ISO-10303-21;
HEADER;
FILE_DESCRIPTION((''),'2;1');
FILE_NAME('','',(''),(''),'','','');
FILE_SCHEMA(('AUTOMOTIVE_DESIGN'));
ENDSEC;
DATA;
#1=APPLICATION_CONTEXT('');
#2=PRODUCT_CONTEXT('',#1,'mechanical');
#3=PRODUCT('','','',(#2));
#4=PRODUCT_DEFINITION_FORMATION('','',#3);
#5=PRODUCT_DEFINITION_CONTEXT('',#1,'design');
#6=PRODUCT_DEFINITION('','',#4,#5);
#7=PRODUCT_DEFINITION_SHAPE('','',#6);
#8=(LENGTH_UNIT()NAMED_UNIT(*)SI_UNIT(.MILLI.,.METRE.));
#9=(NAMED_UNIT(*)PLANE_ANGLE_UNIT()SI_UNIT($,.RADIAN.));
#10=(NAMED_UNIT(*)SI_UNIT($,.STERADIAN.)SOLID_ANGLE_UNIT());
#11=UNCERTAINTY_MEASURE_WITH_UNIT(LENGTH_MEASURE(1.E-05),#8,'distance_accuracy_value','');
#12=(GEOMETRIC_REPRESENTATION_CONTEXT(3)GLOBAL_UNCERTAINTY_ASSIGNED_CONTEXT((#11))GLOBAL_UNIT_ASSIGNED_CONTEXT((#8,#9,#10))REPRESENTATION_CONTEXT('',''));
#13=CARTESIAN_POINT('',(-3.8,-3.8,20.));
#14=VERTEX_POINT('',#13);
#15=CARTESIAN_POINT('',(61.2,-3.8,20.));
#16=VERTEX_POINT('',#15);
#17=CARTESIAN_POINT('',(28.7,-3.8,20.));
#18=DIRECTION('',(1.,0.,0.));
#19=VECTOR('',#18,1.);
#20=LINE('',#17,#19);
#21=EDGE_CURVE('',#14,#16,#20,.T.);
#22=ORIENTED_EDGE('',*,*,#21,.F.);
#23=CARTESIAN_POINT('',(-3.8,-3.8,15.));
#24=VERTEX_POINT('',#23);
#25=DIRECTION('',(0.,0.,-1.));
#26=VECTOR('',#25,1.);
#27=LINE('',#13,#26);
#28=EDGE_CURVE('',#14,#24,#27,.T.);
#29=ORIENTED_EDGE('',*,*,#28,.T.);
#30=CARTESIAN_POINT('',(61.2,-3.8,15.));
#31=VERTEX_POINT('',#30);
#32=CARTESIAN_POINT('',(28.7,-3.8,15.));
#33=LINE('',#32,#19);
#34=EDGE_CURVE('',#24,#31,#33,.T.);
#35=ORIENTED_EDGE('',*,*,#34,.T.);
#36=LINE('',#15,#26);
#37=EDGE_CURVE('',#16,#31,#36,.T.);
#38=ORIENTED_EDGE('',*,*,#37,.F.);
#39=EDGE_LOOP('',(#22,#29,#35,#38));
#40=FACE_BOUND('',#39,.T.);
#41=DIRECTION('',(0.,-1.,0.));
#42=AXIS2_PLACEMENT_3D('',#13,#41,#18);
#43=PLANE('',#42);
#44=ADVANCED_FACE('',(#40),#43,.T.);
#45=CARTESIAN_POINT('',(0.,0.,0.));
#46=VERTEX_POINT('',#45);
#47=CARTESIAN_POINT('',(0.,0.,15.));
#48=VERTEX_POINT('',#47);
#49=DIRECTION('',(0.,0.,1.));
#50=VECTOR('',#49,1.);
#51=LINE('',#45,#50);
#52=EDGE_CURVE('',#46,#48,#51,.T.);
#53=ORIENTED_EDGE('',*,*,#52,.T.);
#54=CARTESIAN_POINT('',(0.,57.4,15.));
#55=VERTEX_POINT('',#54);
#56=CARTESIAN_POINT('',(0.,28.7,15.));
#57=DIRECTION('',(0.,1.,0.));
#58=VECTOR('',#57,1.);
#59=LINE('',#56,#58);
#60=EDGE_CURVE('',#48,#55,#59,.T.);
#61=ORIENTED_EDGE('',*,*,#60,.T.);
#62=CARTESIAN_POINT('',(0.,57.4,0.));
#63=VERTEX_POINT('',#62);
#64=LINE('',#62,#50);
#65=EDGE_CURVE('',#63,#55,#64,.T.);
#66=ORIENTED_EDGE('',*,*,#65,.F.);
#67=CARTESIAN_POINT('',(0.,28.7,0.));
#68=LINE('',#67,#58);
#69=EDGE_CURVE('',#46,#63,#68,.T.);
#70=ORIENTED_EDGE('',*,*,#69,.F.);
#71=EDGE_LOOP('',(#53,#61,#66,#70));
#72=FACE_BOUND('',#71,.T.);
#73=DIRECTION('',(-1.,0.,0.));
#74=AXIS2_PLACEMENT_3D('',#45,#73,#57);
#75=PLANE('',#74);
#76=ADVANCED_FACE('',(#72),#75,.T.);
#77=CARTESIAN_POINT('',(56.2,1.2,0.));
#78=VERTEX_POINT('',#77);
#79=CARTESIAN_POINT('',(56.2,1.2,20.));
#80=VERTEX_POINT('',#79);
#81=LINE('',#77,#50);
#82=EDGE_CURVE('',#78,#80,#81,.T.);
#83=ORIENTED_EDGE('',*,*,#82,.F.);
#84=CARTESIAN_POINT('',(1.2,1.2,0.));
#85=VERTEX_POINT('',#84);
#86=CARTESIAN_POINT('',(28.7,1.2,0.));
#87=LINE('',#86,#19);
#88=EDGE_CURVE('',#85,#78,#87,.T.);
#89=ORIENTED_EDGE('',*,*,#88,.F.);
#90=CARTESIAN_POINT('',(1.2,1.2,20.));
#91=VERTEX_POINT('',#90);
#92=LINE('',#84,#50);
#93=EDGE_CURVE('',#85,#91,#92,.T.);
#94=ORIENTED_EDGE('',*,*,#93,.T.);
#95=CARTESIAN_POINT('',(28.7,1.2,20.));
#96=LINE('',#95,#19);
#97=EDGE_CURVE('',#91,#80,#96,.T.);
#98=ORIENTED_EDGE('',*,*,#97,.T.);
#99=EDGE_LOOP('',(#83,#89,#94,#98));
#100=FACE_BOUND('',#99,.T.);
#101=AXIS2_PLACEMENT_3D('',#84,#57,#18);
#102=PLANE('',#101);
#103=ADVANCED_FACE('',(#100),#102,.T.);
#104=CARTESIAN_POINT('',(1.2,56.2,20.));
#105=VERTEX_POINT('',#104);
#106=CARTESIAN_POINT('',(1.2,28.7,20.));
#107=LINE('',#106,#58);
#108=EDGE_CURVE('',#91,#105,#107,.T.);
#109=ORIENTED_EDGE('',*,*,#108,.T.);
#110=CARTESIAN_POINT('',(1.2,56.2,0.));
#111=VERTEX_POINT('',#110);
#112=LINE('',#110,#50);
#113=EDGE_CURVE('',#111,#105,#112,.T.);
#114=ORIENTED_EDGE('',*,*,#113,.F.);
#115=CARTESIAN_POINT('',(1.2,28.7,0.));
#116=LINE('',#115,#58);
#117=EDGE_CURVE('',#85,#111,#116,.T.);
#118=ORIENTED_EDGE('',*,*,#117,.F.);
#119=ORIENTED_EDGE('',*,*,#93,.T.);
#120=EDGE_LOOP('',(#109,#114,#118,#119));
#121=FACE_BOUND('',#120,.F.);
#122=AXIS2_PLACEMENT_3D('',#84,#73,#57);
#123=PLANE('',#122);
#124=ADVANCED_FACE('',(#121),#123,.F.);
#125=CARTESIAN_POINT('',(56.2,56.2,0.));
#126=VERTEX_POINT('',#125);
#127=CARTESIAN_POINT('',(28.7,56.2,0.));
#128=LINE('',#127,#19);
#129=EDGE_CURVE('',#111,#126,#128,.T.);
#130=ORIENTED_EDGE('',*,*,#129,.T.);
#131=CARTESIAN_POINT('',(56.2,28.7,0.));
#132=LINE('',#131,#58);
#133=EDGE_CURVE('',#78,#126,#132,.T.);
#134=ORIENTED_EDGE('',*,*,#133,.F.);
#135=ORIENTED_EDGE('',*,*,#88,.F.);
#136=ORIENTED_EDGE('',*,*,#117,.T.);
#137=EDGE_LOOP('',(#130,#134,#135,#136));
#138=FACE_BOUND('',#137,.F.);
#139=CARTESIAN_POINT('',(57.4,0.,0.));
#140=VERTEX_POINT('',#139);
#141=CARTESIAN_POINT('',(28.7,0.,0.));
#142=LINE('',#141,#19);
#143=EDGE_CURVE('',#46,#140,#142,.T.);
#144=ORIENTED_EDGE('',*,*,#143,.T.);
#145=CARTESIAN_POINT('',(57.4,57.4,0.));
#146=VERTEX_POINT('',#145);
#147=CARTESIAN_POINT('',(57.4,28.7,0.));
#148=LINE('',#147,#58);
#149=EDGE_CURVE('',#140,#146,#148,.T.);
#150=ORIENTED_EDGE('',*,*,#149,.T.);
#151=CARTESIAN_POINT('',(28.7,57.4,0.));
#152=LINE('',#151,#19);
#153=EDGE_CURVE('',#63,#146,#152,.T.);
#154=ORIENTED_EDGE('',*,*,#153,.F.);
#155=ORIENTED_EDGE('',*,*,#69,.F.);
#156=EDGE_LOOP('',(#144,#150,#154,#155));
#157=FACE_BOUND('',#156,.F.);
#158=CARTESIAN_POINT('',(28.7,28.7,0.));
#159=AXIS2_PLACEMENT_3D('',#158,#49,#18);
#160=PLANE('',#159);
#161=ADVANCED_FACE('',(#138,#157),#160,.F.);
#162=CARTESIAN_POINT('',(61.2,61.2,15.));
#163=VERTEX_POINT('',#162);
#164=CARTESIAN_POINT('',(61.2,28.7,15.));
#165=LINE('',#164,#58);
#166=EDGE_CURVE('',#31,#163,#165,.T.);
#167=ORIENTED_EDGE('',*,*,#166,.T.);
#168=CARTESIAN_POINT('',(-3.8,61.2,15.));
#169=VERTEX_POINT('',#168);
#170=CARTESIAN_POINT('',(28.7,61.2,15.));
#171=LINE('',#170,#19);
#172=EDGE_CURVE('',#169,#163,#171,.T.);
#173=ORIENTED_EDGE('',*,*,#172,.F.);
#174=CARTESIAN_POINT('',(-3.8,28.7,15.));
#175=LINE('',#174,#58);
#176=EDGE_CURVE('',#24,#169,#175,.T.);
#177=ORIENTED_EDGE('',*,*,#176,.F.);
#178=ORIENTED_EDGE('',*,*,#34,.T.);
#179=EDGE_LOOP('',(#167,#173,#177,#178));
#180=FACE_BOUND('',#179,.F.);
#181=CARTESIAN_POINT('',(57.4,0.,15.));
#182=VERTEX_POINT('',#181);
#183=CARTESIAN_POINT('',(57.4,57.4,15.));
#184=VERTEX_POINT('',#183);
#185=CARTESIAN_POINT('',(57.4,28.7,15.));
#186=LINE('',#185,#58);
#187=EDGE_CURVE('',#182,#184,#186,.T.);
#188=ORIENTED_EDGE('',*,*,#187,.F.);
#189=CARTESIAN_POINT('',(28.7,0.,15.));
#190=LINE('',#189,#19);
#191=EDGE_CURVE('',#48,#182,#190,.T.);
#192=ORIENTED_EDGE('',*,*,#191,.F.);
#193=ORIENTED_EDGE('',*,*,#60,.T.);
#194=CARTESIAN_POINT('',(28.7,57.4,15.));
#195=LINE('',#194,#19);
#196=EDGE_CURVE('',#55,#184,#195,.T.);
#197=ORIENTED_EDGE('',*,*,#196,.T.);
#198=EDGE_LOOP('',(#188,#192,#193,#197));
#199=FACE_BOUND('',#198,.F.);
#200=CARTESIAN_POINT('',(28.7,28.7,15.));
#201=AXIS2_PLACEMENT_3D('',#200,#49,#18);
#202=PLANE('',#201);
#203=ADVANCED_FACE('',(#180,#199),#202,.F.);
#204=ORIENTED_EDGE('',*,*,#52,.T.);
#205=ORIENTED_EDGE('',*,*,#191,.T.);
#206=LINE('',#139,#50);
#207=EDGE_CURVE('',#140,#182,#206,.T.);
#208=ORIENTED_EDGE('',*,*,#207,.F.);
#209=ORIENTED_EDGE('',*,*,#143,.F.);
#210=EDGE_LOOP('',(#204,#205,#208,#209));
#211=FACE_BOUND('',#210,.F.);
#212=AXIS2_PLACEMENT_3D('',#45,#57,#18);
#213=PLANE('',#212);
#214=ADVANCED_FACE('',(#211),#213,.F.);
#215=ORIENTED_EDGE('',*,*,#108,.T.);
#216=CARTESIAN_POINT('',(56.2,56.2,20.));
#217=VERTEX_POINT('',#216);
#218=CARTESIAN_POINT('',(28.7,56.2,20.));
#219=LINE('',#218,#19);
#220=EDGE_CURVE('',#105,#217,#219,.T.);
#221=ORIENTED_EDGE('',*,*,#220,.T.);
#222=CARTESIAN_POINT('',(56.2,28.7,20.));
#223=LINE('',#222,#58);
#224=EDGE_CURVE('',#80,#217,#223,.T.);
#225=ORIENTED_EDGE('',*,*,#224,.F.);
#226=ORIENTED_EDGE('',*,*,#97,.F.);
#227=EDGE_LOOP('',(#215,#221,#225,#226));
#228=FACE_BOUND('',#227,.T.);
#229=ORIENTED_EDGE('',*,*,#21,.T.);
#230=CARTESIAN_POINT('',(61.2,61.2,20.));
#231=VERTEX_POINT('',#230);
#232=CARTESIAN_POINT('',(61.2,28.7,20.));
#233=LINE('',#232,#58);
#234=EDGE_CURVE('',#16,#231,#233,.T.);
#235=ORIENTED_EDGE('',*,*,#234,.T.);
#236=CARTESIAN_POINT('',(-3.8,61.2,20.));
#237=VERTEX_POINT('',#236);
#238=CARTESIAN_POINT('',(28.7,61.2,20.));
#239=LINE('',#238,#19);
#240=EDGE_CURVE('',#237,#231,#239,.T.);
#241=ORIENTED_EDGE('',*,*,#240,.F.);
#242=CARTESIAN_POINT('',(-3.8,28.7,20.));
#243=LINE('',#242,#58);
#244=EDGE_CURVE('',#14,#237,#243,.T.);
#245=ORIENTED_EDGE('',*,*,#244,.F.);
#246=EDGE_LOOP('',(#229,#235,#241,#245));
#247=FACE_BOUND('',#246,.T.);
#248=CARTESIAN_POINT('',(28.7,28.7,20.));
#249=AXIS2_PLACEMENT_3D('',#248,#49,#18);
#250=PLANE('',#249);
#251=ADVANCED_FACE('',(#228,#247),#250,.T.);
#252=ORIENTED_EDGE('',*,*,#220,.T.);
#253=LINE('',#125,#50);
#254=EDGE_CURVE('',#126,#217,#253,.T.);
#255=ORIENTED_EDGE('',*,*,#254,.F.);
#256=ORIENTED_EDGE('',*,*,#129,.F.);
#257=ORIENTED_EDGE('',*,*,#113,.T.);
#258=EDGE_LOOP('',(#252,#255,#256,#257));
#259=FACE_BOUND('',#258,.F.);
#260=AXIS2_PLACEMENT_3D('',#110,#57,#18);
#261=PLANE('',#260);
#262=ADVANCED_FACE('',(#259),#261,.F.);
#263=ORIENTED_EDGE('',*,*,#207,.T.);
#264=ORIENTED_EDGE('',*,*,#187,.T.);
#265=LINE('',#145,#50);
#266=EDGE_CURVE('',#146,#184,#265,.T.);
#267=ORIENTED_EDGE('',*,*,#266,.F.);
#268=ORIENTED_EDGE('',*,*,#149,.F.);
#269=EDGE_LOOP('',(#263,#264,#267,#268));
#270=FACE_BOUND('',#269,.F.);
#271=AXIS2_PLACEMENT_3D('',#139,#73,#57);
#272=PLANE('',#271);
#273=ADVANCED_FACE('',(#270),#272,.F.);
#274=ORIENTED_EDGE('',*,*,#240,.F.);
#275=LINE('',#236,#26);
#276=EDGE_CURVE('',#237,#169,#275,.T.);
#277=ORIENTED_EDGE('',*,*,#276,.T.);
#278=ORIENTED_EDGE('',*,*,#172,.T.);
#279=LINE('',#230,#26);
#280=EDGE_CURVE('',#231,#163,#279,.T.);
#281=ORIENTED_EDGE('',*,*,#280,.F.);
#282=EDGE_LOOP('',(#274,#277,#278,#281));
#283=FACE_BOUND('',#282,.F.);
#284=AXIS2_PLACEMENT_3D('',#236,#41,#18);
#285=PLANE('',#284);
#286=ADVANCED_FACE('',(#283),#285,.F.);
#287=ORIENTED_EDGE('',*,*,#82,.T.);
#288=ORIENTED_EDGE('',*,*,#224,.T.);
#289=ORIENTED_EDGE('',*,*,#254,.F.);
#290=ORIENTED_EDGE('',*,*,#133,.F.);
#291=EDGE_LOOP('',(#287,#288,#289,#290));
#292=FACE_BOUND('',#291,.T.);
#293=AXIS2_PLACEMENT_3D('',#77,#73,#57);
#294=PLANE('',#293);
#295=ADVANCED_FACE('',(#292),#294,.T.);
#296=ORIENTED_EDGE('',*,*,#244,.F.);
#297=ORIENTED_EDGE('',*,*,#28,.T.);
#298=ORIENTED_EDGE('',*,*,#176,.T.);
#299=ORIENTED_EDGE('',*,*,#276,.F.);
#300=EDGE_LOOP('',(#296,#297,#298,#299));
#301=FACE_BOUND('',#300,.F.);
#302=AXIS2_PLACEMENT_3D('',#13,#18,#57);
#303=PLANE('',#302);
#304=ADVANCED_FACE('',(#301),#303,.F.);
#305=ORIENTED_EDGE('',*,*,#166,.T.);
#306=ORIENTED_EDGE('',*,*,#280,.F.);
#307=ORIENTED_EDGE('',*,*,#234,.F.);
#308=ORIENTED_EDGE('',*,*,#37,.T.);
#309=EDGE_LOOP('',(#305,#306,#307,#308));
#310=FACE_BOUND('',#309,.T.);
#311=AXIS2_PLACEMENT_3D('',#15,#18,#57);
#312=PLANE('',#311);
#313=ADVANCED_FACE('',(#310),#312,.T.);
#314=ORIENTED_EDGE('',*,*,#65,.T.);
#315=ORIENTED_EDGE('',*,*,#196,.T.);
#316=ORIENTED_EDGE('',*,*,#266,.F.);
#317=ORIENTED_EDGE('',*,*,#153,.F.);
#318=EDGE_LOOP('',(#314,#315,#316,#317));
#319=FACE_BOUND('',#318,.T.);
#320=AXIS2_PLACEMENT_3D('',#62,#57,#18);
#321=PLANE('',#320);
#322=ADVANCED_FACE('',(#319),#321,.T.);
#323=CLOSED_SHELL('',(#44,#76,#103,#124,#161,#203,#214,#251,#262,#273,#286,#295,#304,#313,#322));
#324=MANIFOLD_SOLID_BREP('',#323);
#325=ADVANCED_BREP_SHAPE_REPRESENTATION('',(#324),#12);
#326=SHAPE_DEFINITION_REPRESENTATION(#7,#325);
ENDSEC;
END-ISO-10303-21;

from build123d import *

# Parameters (mm, degrees)
F0_W     = 57.4
F0_H     = 57.4
F0_W_2   = 55
F0_H_2   = 55
F1_DEPTH = 20
F2_W     = 65
F2_H     = 65
F2_W_2   = 57.4
F2_H_2   = 57.4
F3_DEPTH = 5


with BuildPart() as f1:
    # F0 (on Top) → F1 (new body)
    with BuildSketch(Plane.XY):
        with Locations((28.7, 28.7)):
            Rectangle(F0_W, F0_H)
        with Locations((28.7, 28.7)):
            Rectangle(F0_W_2, F0_H_2, mode=Mode.SUBTRACT)
    extrude(amount=F1_DEPTH)

    # F2 (on face) → F3 (join)
    with BuildSketch(Plane.XY.offset(20)):
        with Locations((28.7, 28.7)):
            Rectangle(F2_W, F2_H)
        with Locations((28.7, 28.7)):
            Rectangle(F2_W_2, F2_H_2, mode=Mode.SUBTRACT)
    extrude(amount=-F3_DEPTH)


solid = f1.part
